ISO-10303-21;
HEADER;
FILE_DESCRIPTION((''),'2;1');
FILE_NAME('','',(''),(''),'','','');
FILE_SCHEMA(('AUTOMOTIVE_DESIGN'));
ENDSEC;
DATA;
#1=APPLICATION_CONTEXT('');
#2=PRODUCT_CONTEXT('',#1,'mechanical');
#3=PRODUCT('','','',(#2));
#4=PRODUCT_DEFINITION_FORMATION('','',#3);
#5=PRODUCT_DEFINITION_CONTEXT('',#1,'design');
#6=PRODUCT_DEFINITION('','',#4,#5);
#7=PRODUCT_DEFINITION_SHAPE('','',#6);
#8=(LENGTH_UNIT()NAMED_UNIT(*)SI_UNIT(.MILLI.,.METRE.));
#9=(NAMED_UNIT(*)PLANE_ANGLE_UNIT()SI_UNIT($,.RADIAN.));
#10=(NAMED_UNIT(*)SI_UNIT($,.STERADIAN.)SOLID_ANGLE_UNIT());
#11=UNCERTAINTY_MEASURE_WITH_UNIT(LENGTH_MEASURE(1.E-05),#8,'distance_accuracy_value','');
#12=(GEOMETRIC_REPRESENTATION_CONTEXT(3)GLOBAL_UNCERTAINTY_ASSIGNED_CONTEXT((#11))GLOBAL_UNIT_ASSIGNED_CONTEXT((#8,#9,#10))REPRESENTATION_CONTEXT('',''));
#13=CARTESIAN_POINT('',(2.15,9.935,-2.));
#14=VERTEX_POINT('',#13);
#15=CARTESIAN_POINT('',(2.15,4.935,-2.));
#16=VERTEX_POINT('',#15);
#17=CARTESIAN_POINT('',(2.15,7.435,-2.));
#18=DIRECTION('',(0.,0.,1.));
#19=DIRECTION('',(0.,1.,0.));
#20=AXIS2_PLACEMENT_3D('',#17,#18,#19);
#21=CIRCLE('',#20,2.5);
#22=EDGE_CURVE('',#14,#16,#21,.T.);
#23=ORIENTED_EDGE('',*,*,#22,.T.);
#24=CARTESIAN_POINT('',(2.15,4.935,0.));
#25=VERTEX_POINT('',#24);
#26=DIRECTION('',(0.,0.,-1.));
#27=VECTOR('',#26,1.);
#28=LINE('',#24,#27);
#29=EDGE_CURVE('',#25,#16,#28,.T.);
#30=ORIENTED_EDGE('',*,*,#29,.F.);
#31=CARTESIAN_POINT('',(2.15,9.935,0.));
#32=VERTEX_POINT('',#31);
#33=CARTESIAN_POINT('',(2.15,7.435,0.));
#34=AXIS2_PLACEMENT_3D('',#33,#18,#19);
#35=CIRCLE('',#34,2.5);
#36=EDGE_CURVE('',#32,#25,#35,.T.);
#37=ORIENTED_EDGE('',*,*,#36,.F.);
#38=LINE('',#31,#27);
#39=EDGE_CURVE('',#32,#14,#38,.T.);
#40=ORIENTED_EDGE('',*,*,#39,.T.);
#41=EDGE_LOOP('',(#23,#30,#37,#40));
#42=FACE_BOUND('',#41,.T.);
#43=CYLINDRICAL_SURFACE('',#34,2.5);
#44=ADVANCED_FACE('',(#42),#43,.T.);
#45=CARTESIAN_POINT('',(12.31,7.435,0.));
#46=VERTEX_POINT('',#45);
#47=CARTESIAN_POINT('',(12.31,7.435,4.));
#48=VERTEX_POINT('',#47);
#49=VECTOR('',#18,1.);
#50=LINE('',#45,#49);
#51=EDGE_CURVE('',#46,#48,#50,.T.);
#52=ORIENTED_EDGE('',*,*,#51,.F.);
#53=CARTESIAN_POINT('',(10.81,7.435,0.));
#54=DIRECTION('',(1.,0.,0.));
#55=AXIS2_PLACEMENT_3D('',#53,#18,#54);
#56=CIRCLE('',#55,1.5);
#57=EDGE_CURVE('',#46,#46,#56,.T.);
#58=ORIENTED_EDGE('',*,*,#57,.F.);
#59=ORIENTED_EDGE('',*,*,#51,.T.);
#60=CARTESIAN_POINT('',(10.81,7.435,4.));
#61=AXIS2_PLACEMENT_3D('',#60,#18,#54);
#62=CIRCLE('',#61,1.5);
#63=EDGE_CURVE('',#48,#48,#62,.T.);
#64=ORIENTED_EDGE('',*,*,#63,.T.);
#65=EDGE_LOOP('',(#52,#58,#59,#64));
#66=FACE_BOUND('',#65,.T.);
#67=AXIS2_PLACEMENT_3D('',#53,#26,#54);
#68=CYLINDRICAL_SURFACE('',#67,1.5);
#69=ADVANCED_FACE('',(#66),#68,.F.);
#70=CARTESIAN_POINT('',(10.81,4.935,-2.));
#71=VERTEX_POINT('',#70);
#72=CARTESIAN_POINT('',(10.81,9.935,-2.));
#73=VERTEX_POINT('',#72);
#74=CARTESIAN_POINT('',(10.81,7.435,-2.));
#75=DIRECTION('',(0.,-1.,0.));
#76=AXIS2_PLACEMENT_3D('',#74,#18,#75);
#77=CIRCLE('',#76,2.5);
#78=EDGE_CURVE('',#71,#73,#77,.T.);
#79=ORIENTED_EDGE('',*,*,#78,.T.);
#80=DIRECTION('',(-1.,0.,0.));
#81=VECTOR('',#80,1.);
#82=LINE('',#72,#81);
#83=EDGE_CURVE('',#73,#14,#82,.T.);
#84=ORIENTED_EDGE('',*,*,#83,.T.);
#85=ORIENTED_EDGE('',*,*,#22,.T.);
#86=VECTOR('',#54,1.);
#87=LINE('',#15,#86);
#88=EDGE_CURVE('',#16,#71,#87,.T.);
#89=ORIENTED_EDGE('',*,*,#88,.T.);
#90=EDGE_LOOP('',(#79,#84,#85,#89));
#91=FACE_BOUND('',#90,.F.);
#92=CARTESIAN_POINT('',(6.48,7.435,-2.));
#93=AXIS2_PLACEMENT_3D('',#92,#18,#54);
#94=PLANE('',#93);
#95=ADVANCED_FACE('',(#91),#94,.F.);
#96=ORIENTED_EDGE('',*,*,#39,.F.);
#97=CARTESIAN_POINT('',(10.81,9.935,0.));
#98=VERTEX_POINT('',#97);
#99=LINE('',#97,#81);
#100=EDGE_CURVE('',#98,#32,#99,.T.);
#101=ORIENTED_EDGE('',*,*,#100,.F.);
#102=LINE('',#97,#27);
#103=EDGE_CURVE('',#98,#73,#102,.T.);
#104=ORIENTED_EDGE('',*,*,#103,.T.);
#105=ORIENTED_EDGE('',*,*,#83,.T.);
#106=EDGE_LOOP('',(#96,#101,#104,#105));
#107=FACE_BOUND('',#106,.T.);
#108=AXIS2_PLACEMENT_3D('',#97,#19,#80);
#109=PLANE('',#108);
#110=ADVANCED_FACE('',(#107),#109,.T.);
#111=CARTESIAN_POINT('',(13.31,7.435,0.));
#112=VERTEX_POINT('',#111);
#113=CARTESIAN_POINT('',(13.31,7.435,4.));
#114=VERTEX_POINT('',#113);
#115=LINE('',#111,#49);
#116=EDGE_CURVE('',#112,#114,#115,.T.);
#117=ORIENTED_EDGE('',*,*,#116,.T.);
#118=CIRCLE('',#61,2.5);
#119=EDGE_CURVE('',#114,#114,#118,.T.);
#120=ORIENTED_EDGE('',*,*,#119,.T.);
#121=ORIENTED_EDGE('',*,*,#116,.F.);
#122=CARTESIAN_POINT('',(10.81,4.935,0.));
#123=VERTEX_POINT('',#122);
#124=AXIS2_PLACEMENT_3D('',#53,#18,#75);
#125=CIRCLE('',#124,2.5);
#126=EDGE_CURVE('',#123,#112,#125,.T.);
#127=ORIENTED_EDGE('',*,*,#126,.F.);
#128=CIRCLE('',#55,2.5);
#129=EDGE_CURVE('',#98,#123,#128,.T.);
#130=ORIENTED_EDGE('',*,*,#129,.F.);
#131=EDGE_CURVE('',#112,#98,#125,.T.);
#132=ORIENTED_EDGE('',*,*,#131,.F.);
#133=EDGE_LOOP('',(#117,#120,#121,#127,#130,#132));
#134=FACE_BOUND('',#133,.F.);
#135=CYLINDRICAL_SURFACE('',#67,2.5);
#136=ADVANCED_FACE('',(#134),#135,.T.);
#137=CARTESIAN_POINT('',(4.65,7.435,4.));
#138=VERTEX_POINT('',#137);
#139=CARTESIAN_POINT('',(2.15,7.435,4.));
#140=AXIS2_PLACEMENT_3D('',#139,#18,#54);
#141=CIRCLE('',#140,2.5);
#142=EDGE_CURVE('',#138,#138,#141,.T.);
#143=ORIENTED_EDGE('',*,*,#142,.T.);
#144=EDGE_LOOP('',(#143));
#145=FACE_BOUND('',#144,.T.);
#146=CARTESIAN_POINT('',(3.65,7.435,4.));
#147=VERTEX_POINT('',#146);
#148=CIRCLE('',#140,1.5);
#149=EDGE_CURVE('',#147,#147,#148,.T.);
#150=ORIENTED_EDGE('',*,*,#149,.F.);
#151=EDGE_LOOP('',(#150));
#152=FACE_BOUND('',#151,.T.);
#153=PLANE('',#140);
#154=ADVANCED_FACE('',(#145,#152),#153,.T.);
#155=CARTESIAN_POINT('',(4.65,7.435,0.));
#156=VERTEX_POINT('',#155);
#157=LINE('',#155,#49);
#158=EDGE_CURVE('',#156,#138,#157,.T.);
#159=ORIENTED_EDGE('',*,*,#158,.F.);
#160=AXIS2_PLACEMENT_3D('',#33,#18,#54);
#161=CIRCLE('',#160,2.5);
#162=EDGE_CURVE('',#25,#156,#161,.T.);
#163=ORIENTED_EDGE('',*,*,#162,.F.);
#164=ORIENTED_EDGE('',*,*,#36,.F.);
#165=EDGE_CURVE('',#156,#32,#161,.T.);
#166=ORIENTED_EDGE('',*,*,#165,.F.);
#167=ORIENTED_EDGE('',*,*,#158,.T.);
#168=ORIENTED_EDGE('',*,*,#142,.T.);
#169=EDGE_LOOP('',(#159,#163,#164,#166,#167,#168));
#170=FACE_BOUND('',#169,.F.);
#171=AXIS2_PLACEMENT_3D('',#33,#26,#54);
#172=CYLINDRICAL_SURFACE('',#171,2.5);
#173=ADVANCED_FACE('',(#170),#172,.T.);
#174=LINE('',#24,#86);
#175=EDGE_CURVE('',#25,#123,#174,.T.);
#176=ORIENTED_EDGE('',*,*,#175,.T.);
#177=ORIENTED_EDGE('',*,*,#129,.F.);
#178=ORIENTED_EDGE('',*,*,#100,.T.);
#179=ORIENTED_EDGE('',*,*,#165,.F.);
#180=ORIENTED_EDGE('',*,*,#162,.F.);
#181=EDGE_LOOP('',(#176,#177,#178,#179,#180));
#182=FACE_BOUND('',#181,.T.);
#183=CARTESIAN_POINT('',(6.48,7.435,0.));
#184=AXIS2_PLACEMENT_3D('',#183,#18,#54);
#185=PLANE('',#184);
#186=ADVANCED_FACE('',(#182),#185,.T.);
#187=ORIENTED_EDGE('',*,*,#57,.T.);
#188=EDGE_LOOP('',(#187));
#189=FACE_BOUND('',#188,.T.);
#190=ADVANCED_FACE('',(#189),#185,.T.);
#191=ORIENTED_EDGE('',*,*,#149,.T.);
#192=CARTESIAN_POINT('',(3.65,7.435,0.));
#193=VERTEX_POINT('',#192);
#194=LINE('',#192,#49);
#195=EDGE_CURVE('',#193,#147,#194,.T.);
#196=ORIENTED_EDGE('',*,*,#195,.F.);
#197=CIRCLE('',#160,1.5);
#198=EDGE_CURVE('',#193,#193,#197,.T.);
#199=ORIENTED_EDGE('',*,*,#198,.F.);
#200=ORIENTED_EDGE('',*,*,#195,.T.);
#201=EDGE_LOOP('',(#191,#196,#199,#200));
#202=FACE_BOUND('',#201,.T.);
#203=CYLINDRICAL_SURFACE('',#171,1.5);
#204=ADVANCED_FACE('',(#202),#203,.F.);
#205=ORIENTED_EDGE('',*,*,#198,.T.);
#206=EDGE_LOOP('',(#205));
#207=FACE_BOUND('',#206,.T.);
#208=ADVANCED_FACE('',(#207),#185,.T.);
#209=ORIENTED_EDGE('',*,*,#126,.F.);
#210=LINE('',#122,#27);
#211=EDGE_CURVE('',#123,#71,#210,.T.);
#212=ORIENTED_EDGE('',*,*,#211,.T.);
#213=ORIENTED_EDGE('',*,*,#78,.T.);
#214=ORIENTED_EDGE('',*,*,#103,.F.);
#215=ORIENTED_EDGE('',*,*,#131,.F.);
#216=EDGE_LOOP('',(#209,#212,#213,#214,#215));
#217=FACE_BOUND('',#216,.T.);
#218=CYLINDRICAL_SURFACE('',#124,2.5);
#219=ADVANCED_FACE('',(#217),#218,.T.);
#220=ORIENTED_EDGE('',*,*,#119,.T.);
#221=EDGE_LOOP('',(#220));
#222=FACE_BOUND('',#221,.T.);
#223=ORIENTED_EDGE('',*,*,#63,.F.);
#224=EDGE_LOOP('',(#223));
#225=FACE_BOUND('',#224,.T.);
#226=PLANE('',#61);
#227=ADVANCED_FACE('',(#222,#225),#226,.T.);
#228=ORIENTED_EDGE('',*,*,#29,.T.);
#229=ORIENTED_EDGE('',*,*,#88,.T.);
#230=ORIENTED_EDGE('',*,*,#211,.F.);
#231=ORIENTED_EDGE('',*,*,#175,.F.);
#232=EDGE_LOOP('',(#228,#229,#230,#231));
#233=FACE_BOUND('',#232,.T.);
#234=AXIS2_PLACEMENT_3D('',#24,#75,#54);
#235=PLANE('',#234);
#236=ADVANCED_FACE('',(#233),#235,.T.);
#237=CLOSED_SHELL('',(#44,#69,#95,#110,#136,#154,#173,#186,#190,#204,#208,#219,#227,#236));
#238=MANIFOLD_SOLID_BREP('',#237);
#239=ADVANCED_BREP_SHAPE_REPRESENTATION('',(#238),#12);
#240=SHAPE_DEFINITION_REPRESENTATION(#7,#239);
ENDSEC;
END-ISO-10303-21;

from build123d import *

# Parameters (mm, degrees)
SKETCH030_R      = 1.5
EXTRUDE031_DEPTH = 4
SKETCH031_R      = 2.5
EXTRUDE030_DEPTH = 4
EXTRUDE037_DEPTH = 2


with BuildPart() as extrude_microusbbreakout_holes:
    # Sketch030 → Extrude031 (new body)
    with BuildSketch(Plane.XY):
        with Locations((2.15, 7.435)):
            Circle(SKETCH030_R)
        with Locations((10.81, 7.435)):
            Circle(SKETCH030_R)
    extrude(amount=EXTRUDE031_DEPTH)


with BuildPart() as cut_microusbbreakout_stand001:
    # Sketch031 → Extrude030 (new body)
    with BuildSketch(Plane.XY):
        with Locations((2.15, 7.435)):
            Circle(SKETCH031_R)
        with Locations((10.81, 7.435)):
            Circle(SKETCH031_R)
    extrude(amount=EXTRUDE030_DEPTH)

    # Cut004: cut Extrude_MicroUSBBreakout_holes
    add(extrude_microusbbreakout_holes.part, mode=Mode.SUBTRACT)


with BuildPart() as cut_microusbbreakout_stand001_1:
    # Cut004 placement: moved
    add(cut_microusbbreakout_stand001.part.moved(Location((37, 37.9, 2))))


with BuildPart() as cut_microusbbreakout_stand001_2:
    # Link005 placement: moved
    add(cut_microusbbreakout_stand001_1.part.moved(Location((-37, -37.9, -2))))


with BuildPart() as fusion_microusbbreakoutbasetest:
    # Sketch037 → Extrude037 (new body)
    with BuildSketch(Plane.XY):
        with BuildLine():
            ThreePointArc((2.15, 9.935), (-0.35, 7.435), (2.15, 4.935))
            Line((2.15, 4.935), (10.81, 4.935))
            ThreePointArc((10.81, 4.935), (13.31, 7.435), (10.81, 9.935))
            Line((10.81, 9.935), (2.15, 9.935))
        make_face()
    extrude(amount=-EXTRUDE037_DEPTH)

    # Fusion010: union Cut_MicroUSBBreakout_stand001
    add(cut_microusbbreakout_stand001_2.part)


solid = fusion_microusbbreakoutbasetest.part
